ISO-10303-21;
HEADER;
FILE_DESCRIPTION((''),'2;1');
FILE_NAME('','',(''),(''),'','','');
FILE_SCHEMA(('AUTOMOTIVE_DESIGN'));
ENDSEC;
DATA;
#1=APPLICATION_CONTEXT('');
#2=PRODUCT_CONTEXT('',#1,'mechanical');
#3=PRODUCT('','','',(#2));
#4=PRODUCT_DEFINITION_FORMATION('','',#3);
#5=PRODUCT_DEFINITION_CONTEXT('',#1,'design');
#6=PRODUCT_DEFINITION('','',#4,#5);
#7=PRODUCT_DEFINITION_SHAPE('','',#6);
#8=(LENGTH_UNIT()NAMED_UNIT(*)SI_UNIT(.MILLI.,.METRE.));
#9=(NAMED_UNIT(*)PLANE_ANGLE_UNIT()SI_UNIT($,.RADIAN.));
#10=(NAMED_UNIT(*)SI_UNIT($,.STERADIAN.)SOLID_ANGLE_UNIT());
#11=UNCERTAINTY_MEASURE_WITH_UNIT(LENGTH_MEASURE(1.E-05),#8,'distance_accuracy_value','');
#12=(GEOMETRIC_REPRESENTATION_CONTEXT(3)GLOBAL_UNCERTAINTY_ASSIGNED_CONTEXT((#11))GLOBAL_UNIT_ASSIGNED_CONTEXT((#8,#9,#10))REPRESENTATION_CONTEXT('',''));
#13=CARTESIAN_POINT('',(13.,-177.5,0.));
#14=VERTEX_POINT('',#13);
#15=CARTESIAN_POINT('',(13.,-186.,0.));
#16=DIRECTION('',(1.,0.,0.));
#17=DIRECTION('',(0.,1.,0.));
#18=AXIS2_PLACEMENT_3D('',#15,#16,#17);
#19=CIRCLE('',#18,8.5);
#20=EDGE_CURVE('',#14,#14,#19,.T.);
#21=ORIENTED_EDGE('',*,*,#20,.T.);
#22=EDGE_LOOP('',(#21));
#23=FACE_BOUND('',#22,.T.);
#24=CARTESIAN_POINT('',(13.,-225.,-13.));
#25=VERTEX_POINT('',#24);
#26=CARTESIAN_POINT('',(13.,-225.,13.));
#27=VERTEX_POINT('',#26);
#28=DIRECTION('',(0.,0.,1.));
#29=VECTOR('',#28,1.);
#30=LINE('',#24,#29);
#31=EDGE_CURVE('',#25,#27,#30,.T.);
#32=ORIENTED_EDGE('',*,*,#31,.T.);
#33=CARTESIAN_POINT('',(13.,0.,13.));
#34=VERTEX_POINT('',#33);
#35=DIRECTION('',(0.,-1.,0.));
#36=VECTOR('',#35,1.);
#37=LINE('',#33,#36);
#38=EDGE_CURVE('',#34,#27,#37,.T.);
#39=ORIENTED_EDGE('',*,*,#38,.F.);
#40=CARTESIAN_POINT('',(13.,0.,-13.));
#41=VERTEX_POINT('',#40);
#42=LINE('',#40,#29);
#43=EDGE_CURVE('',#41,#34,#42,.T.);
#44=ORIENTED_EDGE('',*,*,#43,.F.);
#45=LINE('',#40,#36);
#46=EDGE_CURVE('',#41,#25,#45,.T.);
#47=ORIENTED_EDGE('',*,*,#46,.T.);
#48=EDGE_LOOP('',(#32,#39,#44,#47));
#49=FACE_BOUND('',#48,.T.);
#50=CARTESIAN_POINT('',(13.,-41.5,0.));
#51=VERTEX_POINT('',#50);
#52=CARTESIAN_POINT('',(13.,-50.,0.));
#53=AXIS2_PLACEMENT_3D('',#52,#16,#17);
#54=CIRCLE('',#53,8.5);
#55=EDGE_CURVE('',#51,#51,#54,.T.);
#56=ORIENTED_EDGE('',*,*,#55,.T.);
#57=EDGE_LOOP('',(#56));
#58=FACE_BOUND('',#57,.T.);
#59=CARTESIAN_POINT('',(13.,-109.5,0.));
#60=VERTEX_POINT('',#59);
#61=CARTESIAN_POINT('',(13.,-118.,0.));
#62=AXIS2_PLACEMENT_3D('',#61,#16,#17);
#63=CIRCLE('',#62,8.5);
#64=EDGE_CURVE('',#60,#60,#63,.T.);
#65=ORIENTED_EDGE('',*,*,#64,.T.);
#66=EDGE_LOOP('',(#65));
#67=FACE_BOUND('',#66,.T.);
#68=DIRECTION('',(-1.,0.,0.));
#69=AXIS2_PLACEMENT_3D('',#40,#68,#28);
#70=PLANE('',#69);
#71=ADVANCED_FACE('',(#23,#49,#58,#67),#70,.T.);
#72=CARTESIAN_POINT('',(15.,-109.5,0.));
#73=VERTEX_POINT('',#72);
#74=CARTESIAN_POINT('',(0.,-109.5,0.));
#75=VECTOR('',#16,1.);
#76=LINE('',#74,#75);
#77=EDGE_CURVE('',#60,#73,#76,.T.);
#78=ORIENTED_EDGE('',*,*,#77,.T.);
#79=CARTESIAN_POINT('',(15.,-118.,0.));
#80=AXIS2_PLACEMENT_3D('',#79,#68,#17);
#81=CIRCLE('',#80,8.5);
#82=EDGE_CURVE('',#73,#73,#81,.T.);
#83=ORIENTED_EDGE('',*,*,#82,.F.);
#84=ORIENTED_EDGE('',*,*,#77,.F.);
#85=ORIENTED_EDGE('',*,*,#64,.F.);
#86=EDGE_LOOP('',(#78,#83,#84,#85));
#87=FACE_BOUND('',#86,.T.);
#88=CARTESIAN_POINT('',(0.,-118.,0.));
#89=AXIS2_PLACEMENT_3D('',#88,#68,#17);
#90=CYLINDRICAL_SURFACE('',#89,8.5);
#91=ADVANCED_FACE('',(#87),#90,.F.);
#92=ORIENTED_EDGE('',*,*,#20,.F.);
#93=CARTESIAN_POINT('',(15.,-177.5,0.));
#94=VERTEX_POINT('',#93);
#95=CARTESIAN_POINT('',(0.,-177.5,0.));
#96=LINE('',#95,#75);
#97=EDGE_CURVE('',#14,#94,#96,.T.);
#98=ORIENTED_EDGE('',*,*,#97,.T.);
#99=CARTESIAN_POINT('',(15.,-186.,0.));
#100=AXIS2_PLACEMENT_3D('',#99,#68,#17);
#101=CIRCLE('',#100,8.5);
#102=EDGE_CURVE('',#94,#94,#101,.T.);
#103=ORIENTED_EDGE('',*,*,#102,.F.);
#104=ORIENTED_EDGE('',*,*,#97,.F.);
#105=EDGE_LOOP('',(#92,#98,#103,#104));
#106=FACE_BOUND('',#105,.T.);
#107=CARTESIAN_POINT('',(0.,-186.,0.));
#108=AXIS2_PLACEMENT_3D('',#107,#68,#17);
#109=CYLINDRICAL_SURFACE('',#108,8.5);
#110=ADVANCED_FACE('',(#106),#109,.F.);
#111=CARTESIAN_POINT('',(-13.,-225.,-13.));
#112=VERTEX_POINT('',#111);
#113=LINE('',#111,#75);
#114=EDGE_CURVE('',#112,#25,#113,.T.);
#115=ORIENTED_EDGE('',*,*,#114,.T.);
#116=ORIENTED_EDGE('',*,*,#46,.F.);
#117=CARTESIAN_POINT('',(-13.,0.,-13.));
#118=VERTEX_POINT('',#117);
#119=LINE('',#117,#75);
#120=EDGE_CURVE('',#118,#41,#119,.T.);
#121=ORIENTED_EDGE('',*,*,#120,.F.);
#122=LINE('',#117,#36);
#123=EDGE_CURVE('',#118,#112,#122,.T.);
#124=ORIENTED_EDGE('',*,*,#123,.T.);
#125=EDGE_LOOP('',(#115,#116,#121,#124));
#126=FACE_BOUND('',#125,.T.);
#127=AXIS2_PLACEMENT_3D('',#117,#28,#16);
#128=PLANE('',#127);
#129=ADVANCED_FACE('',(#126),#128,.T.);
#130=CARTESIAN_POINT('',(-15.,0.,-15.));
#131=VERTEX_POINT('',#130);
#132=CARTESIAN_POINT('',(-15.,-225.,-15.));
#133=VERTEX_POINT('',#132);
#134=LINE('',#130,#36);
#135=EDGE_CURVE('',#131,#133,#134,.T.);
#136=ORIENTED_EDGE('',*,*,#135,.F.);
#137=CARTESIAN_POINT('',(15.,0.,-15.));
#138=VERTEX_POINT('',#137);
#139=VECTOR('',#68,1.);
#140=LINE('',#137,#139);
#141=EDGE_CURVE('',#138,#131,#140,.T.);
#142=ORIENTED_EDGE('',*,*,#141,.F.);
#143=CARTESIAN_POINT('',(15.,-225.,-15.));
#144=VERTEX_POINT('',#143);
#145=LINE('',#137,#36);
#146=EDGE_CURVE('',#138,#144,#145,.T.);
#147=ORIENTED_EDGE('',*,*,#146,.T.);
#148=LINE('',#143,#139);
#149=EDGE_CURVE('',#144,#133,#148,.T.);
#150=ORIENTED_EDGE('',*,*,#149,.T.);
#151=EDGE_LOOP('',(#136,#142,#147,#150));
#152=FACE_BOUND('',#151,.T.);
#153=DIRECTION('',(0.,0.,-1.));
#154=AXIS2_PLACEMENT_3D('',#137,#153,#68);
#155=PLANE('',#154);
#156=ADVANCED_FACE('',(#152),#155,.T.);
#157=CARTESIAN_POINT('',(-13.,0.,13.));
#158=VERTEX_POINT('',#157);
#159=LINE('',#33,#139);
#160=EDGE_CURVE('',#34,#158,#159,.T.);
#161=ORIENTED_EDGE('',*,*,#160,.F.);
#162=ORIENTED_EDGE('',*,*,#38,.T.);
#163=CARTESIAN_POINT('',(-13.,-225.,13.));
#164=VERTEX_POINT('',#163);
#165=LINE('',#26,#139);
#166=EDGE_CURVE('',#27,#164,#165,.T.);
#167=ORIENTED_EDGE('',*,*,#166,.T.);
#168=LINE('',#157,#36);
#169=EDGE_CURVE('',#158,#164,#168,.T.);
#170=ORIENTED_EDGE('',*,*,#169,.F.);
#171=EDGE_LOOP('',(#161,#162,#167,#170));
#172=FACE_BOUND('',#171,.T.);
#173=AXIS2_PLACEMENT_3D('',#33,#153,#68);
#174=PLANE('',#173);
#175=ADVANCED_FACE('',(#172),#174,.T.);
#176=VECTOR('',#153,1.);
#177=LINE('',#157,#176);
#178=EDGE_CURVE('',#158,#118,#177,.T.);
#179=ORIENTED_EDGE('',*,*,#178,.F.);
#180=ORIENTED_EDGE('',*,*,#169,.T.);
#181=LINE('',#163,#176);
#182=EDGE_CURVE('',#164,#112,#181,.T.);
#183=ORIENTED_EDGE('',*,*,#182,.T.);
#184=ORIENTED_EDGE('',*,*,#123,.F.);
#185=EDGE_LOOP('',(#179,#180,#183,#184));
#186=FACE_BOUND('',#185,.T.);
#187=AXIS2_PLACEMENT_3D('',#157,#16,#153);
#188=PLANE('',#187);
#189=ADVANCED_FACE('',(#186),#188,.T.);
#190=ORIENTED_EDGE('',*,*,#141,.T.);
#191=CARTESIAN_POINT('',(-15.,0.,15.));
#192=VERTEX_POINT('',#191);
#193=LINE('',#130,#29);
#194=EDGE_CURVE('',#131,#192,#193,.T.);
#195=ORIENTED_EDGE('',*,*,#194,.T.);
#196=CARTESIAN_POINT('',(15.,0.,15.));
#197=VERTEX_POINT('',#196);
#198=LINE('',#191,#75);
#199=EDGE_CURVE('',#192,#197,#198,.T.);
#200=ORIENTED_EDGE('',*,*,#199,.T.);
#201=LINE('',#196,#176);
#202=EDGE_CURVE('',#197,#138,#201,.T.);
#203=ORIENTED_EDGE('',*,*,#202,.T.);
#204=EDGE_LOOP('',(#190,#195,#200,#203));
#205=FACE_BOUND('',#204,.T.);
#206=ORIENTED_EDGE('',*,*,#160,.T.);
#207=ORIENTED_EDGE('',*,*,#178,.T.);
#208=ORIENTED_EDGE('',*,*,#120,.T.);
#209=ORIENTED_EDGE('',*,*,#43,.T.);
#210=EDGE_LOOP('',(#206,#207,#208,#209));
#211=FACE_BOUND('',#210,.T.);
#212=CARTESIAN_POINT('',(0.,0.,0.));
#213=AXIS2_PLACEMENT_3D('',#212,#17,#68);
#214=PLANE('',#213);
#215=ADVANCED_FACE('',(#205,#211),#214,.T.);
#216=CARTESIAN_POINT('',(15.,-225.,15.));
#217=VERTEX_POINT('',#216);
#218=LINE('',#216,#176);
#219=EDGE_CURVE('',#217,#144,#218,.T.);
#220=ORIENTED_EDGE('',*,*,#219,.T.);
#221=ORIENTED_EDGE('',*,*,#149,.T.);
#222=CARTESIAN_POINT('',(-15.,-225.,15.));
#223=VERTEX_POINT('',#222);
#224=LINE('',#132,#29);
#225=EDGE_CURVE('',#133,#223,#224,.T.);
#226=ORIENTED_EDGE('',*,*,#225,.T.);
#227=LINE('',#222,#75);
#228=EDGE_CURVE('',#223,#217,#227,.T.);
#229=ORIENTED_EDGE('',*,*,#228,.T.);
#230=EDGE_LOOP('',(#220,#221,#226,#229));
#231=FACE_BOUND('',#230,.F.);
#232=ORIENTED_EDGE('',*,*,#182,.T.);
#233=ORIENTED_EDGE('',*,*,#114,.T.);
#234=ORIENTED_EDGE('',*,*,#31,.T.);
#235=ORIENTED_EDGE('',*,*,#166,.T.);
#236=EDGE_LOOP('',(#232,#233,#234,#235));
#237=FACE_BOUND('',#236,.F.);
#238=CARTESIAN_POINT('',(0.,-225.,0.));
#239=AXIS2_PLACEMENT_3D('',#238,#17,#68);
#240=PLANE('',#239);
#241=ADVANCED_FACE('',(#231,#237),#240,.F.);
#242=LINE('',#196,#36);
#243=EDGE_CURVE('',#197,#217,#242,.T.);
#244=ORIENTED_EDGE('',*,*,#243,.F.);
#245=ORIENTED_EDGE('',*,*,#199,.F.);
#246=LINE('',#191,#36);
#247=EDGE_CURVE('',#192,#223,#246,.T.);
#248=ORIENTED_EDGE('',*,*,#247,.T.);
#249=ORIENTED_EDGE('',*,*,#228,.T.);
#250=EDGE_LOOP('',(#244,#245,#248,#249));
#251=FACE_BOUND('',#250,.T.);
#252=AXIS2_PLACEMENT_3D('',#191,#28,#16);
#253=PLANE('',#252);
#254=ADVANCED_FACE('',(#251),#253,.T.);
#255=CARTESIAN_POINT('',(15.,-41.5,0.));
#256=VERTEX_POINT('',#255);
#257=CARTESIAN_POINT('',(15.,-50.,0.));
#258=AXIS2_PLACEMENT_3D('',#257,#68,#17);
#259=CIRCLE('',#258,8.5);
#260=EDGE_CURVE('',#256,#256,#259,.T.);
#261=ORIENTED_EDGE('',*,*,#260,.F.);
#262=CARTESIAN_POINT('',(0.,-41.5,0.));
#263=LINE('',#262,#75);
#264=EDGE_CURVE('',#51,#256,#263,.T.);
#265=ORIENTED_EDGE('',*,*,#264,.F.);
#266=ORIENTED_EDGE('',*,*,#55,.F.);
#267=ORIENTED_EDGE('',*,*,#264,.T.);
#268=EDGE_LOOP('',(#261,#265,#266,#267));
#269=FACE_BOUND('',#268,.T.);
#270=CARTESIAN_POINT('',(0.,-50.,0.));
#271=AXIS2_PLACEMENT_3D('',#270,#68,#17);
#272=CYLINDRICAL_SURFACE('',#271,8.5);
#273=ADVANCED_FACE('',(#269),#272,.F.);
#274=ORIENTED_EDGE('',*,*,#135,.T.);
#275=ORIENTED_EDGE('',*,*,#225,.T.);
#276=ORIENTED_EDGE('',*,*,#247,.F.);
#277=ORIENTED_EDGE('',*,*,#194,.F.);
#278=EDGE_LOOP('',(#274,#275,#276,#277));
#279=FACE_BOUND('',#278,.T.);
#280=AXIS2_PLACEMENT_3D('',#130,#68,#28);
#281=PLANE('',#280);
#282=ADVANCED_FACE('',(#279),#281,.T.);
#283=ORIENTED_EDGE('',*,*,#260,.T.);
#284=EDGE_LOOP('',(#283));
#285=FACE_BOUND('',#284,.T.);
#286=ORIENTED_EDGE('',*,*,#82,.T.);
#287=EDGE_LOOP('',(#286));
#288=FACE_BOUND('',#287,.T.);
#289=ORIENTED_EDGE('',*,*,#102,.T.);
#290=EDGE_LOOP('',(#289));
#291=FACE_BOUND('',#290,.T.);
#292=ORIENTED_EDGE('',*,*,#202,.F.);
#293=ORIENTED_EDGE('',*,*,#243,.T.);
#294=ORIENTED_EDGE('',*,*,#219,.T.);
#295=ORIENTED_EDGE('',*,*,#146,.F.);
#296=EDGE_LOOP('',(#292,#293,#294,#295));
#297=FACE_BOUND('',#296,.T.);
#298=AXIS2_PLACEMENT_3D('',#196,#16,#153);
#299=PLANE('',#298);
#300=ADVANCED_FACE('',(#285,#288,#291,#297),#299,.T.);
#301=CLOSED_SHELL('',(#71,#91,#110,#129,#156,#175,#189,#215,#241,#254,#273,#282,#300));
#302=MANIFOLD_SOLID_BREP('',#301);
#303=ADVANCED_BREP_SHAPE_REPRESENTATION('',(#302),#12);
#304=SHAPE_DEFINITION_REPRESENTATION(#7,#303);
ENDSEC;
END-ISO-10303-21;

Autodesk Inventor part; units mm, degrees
ref_plane "YZ Plane" through (0, 0, 0) normal (1, 0, 0) x (0, 1, 0)
ref_plane "XZ Plane" through (0, 0, 0) normal (0, 1, 0) x (-1, 0, 0)
ref_plane "XY Plane" through (0, 0, 0) normal (0, 0, 1) x (1, 0, 0)
sketch "Sketch9" plane through (0, 0, 0) normal (0, 1, 0) x (-1, 0, 0)
  line L0 (15, 15) -> (-15, 15)
  line L1 (-15, 15) -> (-15, -15)
  line L2 (-15, -15) -> (15, -15)
  line L3 (15, -15) -> (15, 15)
  line L4 (15, 15) -> (-15, -15) construction
  line L5 (-15, 15) -> (15, -15) construction
  line L6 (-13, 13) -> (13, 13)
  line L7 (13, 13) -> (13, -13)
  line L8 (13, -13) -> (-13, -13)
  line L9 (-13, -13) -> (-13, 13)
  point P0 (0, 0)
  dimension "d172" = 30
  dimension "d173" = 30
  dimension "d174" = 2
extrude "Extrusion3" add sketch "Sketch9" against normal blind 225
sketch "Sketch10" plane through (0, 0, 0) normal (1, 0, 0) x (0, 1, 0)
  line L0 (0, 15) -> (0, -15) construction
  line L1 (0, 15) -> (-225, 15) construction
  line L2 (0, -15) -> (-225, -15) construction
  line L3 (-58.5, 8.5) -> (-41.5, 8.5)
  line L4 (-41.5, 8.5) -> (-41.5, -8.5)
  line L5 (-41.5, -8.5) -> (-58.5, -8.5)
  line L6 (-58.5, -8.5) -> (-58.5, 8.5)
  line L7 (-58.5, 8.5) -> (-41.5, -8.5) construction
  line L8 (-41.5, 8.5) -> (-58.5, -8.5) construction
  line L9 (0, 0) -> (30, 0)
  circle A0 centre (-50, 0) radius 8.5
  dimension "d177" = 17
  dimension "d178" = 17
  dimension "d181" = 30
  dimension "d182" = 80
extrude "Extrusion4" cut sketch "Sketch10" along normal through all contours A0
pattern_linear "Rectangular Pattern4" count 4 spacing 68 along (0, -1, 0) of "Extrusion4"
properties part number "PRS 1662 DrSysB way tube 44_D1200" material "Stainless Steel"
